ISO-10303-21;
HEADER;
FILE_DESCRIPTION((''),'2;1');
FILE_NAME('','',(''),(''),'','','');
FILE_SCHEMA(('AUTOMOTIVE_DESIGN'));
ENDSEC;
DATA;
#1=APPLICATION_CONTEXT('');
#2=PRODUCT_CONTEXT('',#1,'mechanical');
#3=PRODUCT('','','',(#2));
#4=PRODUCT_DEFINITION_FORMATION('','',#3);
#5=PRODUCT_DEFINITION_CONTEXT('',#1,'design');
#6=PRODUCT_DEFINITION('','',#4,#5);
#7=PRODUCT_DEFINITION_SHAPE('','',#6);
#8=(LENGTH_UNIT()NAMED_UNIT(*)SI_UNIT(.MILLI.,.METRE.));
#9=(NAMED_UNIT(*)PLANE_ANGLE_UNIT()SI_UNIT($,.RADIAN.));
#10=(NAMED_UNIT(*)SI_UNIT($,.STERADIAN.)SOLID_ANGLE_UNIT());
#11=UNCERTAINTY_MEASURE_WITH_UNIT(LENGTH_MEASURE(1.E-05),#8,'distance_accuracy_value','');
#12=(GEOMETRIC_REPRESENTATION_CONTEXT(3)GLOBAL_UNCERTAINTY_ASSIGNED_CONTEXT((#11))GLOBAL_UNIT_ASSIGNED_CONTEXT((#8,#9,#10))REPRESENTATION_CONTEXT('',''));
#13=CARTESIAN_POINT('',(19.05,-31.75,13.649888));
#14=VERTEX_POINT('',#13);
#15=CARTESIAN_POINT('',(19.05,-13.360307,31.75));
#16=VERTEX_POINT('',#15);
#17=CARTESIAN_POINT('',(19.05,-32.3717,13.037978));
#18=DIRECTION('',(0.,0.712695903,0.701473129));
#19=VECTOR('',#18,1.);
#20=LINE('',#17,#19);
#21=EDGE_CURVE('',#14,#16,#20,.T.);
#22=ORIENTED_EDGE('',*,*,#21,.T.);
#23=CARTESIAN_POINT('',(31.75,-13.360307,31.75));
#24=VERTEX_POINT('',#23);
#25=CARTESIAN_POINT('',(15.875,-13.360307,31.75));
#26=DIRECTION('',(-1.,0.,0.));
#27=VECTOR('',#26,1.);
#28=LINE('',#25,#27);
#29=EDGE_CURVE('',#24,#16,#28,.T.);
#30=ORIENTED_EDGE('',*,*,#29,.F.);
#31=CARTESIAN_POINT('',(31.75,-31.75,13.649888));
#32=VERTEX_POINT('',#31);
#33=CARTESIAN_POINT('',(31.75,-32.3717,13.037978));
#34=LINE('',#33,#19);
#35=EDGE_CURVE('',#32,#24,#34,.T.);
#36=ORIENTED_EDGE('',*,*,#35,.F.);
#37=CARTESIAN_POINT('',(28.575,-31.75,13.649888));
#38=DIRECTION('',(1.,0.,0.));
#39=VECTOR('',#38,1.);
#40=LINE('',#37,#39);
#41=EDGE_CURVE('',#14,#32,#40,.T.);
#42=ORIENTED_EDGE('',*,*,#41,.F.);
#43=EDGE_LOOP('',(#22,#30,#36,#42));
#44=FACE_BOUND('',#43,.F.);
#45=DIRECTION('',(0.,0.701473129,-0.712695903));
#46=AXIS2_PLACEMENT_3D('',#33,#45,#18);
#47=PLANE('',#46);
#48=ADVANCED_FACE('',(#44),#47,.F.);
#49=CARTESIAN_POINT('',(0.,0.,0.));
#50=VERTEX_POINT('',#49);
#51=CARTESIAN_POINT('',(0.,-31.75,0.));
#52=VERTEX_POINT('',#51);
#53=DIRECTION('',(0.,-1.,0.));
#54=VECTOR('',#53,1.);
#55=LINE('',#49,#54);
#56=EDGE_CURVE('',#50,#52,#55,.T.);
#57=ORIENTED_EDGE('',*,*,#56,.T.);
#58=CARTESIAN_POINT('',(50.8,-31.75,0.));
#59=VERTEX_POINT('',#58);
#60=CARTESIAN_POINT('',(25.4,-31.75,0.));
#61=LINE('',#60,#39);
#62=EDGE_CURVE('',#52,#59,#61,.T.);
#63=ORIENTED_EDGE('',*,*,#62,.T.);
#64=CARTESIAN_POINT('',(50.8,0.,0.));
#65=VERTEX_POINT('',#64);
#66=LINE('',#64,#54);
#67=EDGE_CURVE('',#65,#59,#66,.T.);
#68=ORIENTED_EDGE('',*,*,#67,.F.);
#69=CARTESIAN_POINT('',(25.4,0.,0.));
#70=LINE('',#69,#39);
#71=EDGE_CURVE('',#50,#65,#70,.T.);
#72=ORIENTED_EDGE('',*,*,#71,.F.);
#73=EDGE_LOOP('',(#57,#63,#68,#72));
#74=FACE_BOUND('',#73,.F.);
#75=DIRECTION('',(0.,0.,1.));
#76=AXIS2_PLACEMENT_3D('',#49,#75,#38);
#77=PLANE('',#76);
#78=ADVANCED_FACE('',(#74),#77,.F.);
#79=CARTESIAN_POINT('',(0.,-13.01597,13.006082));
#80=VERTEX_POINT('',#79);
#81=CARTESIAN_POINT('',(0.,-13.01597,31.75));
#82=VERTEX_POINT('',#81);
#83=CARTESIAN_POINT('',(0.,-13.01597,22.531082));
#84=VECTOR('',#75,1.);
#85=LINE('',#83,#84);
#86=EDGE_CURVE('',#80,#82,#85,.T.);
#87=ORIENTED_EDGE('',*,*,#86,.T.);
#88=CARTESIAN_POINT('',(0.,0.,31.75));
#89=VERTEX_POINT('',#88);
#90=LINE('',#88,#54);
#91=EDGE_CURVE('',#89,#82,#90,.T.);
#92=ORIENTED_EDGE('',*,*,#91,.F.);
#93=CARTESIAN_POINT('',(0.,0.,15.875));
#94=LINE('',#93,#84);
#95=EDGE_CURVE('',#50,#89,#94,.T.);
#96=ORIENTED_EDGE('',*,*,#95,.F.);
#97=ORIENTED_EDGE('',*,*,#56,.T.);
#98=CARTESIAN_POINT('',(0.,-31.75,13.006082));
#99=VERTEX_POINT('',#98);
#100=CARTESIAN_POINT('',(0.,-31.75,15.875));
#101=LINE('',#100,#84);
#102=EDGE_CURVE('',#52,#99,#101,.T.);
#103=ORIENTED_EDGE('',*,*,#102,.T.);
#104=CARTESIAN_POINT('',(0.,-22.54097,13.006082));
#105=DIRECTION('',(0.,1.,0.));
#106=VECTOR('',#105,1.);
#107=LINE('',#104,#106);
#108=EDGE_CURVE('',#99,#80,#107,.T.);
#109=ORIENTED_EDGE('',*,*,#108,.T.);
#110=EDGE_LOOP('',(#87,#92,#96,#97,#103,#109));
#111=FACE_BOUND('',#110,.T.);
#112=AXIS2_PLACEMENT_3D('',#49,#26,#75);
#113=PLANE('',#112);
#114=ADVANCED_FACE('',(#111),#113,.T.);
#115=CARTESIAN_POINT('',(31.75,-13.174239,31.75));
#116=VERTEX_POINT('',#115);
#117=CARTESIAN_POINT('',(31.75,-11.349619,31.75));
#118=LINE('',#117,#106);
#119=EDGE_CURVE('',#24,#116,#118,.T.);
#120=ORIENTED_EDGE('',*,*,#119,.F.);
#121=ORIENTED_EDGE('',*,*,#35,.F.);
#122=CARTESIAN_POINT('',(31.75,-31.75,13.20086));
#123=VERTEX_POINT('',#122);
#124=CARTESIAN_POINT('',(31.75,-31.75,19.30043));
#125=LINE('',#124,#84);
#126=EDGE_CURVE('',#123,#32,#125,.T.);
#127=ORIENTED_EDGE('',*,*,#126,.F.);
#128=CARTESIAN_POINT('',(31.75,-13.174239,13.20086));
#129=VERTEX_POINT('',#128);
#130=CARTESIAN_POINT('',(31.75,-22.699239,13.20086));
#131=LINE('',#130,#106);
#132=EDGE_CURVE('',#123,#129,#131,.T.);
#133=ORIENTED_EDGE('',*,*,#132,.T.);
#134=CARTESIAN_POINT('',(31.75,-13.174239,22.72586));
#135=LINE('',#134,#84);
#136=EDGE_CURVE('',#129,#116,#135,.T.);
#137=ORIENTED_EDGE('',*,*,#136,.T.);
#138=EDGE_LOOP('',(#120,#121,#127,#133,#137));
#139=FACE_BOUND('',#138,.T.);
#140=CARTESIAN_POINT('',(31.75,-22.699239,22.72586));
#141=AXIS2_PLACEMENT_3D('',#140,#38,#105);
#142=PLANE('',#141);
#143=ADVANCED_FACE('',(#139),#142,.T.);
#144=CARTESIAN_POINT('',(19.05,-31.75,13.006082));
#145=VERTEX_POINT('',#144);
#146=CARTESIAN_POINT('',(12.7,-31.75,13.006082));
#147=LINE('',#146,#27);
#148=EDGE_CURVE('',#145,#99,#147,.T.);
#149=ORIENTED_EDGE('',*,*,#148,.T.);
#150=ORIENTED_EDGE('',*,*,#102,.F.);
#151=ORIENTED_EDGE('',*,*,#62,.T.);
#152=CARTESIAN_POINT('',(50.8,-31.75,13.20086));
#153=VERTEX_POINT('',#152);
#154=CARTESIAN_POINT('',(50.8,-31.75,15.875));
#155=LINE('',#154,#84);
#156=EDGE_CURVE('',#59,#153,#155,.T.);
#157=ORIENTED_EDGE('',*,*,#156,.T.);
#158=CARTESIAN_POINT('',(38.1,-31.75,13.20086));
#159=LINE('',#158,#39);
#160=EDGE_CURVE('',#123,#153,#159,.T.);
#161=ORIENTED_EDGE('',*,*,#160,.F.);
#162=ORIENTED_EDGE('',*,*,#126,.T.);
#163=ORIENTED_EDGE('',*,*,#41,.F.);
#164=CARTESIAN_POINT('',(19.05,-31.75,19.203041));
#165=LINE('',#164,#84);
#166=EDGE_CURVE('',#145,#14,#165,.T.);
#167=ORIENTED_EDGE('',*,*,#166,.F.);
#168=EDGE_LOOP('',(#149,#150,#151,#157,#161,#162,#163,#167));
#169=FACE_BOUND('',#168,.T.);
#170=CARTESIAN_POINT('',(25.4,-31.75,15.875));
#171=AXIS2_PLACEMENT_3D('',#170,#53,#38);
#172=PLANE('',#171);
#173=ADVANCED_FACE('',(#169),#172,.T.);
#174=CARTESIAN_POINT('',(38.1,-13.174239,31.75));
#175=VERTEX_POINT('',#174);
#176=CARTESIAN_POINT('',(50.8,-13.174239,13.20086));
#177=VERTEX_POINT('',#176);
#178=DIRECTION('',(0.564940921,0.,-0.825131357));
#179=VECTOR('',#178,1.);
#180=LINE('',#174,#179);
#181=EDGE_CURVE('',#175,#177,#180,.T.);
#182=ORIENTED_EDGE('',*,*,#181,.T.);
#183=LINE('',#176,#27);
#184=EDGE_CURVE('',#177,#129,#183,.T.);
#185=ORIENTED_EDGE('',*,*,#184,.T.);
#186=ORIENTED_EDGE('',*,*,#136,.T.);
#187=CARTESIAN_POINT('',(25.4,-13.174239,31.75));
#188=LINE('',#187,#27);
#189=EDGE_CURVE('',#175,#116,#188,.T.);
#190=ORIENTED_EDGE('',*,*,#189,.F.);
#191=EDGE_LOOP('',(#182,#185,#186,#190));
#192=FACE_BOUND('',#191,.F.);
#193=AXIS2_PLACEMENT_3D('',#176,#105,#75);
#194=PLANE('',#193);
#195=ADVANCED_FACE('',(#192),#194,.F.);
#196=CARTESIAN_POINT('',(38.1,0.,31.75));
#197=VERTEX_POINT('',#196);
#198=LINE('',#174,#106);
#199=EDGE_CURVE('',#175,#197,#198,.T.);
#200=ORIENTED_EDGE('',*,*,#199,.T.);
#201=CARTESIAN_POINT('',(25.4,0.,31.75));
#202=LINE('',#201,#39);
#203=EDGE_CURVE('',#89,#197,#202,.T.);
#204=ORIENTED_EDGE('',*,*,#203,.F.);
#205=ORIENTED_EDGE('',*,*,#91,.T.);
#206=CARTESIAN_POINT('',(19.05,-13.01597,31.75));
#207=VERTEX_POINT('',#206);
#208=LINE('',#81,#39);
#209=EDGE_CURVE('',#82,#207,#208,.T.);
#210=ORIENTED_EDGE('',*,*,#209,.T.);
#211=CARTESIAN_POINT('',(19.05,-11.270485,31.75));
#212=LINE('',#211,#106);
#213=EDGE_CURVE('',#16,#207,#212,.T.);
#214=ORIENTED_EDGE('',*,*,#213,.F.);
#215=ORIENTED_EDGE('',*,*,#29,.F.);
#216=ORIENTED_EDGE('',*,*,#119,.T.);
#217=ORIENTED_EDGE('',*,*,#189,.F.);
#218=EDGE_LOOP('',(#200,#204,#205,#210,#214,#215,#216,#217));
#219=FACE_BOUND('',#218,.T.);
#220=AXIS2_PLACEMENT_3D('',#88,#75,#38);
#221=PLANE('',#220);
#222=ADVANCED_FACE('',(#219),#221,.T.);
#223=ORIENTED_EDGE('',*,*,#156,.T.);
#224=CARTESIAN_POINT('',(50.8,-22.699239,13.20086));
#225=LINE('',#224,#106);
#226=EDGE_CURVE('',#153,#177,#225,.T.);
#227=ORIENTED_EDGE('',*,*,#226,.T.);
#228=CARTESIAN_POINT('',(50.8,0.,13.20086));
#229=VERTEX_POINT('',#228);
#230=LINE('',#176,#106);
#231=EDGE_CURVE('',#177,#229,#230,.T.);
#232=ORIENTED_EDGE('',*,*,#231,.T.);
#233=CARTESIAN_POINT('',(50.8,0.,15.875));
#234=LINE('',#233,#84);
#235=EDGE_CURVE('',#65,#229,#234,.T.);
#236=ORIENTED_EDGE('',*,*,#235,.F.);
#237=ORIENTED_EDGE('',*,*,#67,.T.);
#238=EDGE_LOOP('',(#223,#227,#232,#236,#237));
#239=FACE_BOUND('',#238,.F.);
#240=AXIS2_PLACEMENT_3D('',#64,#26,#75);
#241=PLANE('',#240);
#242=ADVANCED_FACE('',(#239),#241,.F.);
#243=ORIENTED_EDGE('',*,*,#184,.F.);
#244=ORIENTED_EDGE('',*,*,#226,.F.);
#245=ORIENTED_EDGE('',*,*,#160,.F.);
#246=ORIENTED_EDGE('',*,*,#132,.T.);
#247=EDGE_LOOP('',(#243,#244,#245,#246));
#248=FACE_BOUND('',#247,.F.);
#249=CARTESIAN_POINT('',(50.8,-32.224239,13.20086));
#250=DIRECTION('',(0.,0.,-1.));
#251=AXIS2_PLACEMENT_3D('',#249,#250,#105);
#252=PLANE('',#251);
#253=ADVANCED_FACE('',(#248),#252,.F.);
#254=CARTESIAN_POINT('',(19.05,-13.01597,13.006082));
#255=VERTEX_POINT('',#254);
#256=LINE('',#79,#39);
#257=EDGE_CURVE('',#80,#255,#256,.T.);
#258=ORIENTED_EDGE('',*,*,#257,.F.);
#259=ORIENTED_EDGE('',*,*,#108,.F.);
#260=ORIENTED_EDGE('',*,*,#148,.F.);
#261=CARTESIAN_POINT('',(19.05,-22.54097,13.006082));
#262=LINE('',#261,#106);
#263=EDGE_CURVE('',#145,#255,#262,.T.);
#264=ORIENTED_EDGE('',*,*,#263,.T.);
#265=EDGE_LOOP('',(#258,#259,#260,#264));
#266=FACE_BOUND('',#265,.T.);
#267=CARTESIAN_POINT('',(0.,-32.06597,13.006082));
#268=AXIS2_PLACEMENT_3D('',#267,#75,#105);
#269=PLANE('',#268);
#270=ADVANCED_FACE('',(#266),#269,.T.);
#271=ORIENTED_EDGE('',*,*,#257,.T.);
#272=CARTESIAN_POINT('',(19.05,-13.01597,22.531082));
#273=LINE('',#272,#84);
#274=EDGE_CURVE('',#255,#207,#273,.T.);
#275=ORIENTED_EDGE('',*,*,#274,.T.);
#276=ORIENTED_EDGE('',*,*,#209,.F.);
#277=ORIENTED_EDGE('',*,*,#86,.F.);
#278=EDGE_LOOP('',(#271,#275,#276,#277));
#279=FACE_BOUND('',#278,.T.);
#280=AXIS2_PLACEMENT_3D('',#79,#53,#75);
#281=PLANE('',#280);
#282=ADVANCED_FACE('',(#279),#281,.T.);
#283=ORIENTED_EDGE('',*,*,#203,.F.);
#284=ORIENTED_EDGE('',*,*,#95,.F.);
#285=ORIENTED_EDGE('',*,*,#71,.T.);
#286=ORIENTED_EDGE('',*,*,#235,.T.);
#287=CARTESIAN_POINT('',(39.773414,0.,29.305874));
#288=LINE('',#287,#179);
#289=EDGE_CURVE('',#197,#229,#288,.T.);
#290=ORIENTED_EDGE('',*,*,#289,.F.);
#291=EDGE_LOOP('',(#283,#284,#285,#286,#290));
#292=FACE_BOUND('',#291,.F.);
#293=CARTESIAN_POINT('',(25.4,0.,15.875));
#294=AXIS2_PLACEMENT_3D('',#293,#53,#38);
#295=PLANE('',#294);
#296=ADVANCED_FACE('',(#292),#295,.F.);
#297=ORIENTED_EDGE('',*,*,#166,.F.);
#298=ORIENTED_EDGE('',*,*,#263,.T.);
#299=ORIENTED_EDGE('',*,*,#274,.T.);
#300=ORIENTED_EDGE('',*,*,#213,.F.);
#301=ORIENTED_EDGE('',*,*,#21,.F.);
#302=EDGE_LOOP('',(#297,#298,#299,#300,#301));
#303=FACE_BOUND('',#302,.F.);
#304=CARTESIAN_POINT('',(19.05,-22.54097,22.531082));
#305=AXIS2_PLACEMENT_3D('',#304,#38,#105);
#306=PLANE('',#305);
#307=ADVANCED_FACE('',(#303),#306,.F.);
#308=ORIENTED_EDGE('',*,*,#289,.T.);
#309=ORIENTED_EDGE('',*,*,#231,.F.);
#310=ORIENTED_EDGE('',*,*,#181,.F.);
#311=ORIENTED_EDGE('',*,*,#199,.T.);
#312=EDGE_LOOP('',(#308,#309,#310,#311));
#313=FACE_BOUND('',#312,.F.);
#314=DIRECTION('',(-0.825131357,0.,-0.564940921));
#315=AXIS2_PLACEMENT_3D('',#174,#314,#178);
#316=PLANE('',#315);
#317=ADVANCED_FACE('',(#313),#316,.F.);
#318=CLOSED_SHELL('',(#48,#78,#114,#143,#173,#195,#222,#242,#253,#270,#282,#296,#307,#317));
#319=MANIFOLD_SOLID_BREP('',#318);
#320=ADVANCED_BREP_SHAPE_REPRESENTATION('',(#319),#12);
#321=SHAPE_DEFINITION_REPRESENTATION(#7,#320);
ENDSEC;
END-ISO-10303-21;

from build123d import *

# Parameters (mm, degrees)
F0_W     = 50.8
F0_H     = 31.75
F1_DEPTH = 31.75
F2_W     = 19.05
F2_H     = 19.05
F3_DEPTH = 19.05
F4_W     = 19.05
F4_H     = 19.05
F5_DEPTH = 19.05
F7_DEPTH = 12.7
F9_DEPTH = 25.4


with BuildPart() as f1:
    # F0 (on Front) → F1 (new body)
    with BuildSketch(Plane.XZ):
        with Locations((25.4, 15.875)):
            Rectangle(F0_W, F0_H)
    extrude(amount=F1_DEPTH)

    # F2 (on Right) → F3 (cut)
    with BuildSketch(Plane.YZ):
        with Locations((-22.54097, 22.531082)):
            Rectangle(F2_W, F2_H)
    extrude(amount=F3_DEPTH, mode=Mode.SUBTRACT)

    # F4 (on face) → F5 (cut)
    with BuildSketch(Plane.YZ.offset(50.8)):
        with Locations((-22.699239, 22.72586)):
            Rectangle(F4_W, F4_H)
    extrude(amount=-F5_DEPTH, mode=Mode.SUBTRACT)

    # F6 (on face) → F7 (cut)
    with BuildSketch(Plane.YZ.offset(31.75)):
        Polygon((-32.069359, 32.085579), (-32.3717, 13.037978), (-13.019359, 32.085579), align=None)
    extrude(amount=-F7_DEPTH, mode=Mode.SUBTRACT)

    # F8 (on face) → F9 (cut)
    with BuildSketch(Plane.XZ.offset(13.174239)):
        Polygon((50.8, 31.75), (38.1, 31.75), (50.8, 13.20086), align=None)
    extrude(amount=-F9_DEPTH, mode=Mode.SUBTRACT)


solid = f1.part
